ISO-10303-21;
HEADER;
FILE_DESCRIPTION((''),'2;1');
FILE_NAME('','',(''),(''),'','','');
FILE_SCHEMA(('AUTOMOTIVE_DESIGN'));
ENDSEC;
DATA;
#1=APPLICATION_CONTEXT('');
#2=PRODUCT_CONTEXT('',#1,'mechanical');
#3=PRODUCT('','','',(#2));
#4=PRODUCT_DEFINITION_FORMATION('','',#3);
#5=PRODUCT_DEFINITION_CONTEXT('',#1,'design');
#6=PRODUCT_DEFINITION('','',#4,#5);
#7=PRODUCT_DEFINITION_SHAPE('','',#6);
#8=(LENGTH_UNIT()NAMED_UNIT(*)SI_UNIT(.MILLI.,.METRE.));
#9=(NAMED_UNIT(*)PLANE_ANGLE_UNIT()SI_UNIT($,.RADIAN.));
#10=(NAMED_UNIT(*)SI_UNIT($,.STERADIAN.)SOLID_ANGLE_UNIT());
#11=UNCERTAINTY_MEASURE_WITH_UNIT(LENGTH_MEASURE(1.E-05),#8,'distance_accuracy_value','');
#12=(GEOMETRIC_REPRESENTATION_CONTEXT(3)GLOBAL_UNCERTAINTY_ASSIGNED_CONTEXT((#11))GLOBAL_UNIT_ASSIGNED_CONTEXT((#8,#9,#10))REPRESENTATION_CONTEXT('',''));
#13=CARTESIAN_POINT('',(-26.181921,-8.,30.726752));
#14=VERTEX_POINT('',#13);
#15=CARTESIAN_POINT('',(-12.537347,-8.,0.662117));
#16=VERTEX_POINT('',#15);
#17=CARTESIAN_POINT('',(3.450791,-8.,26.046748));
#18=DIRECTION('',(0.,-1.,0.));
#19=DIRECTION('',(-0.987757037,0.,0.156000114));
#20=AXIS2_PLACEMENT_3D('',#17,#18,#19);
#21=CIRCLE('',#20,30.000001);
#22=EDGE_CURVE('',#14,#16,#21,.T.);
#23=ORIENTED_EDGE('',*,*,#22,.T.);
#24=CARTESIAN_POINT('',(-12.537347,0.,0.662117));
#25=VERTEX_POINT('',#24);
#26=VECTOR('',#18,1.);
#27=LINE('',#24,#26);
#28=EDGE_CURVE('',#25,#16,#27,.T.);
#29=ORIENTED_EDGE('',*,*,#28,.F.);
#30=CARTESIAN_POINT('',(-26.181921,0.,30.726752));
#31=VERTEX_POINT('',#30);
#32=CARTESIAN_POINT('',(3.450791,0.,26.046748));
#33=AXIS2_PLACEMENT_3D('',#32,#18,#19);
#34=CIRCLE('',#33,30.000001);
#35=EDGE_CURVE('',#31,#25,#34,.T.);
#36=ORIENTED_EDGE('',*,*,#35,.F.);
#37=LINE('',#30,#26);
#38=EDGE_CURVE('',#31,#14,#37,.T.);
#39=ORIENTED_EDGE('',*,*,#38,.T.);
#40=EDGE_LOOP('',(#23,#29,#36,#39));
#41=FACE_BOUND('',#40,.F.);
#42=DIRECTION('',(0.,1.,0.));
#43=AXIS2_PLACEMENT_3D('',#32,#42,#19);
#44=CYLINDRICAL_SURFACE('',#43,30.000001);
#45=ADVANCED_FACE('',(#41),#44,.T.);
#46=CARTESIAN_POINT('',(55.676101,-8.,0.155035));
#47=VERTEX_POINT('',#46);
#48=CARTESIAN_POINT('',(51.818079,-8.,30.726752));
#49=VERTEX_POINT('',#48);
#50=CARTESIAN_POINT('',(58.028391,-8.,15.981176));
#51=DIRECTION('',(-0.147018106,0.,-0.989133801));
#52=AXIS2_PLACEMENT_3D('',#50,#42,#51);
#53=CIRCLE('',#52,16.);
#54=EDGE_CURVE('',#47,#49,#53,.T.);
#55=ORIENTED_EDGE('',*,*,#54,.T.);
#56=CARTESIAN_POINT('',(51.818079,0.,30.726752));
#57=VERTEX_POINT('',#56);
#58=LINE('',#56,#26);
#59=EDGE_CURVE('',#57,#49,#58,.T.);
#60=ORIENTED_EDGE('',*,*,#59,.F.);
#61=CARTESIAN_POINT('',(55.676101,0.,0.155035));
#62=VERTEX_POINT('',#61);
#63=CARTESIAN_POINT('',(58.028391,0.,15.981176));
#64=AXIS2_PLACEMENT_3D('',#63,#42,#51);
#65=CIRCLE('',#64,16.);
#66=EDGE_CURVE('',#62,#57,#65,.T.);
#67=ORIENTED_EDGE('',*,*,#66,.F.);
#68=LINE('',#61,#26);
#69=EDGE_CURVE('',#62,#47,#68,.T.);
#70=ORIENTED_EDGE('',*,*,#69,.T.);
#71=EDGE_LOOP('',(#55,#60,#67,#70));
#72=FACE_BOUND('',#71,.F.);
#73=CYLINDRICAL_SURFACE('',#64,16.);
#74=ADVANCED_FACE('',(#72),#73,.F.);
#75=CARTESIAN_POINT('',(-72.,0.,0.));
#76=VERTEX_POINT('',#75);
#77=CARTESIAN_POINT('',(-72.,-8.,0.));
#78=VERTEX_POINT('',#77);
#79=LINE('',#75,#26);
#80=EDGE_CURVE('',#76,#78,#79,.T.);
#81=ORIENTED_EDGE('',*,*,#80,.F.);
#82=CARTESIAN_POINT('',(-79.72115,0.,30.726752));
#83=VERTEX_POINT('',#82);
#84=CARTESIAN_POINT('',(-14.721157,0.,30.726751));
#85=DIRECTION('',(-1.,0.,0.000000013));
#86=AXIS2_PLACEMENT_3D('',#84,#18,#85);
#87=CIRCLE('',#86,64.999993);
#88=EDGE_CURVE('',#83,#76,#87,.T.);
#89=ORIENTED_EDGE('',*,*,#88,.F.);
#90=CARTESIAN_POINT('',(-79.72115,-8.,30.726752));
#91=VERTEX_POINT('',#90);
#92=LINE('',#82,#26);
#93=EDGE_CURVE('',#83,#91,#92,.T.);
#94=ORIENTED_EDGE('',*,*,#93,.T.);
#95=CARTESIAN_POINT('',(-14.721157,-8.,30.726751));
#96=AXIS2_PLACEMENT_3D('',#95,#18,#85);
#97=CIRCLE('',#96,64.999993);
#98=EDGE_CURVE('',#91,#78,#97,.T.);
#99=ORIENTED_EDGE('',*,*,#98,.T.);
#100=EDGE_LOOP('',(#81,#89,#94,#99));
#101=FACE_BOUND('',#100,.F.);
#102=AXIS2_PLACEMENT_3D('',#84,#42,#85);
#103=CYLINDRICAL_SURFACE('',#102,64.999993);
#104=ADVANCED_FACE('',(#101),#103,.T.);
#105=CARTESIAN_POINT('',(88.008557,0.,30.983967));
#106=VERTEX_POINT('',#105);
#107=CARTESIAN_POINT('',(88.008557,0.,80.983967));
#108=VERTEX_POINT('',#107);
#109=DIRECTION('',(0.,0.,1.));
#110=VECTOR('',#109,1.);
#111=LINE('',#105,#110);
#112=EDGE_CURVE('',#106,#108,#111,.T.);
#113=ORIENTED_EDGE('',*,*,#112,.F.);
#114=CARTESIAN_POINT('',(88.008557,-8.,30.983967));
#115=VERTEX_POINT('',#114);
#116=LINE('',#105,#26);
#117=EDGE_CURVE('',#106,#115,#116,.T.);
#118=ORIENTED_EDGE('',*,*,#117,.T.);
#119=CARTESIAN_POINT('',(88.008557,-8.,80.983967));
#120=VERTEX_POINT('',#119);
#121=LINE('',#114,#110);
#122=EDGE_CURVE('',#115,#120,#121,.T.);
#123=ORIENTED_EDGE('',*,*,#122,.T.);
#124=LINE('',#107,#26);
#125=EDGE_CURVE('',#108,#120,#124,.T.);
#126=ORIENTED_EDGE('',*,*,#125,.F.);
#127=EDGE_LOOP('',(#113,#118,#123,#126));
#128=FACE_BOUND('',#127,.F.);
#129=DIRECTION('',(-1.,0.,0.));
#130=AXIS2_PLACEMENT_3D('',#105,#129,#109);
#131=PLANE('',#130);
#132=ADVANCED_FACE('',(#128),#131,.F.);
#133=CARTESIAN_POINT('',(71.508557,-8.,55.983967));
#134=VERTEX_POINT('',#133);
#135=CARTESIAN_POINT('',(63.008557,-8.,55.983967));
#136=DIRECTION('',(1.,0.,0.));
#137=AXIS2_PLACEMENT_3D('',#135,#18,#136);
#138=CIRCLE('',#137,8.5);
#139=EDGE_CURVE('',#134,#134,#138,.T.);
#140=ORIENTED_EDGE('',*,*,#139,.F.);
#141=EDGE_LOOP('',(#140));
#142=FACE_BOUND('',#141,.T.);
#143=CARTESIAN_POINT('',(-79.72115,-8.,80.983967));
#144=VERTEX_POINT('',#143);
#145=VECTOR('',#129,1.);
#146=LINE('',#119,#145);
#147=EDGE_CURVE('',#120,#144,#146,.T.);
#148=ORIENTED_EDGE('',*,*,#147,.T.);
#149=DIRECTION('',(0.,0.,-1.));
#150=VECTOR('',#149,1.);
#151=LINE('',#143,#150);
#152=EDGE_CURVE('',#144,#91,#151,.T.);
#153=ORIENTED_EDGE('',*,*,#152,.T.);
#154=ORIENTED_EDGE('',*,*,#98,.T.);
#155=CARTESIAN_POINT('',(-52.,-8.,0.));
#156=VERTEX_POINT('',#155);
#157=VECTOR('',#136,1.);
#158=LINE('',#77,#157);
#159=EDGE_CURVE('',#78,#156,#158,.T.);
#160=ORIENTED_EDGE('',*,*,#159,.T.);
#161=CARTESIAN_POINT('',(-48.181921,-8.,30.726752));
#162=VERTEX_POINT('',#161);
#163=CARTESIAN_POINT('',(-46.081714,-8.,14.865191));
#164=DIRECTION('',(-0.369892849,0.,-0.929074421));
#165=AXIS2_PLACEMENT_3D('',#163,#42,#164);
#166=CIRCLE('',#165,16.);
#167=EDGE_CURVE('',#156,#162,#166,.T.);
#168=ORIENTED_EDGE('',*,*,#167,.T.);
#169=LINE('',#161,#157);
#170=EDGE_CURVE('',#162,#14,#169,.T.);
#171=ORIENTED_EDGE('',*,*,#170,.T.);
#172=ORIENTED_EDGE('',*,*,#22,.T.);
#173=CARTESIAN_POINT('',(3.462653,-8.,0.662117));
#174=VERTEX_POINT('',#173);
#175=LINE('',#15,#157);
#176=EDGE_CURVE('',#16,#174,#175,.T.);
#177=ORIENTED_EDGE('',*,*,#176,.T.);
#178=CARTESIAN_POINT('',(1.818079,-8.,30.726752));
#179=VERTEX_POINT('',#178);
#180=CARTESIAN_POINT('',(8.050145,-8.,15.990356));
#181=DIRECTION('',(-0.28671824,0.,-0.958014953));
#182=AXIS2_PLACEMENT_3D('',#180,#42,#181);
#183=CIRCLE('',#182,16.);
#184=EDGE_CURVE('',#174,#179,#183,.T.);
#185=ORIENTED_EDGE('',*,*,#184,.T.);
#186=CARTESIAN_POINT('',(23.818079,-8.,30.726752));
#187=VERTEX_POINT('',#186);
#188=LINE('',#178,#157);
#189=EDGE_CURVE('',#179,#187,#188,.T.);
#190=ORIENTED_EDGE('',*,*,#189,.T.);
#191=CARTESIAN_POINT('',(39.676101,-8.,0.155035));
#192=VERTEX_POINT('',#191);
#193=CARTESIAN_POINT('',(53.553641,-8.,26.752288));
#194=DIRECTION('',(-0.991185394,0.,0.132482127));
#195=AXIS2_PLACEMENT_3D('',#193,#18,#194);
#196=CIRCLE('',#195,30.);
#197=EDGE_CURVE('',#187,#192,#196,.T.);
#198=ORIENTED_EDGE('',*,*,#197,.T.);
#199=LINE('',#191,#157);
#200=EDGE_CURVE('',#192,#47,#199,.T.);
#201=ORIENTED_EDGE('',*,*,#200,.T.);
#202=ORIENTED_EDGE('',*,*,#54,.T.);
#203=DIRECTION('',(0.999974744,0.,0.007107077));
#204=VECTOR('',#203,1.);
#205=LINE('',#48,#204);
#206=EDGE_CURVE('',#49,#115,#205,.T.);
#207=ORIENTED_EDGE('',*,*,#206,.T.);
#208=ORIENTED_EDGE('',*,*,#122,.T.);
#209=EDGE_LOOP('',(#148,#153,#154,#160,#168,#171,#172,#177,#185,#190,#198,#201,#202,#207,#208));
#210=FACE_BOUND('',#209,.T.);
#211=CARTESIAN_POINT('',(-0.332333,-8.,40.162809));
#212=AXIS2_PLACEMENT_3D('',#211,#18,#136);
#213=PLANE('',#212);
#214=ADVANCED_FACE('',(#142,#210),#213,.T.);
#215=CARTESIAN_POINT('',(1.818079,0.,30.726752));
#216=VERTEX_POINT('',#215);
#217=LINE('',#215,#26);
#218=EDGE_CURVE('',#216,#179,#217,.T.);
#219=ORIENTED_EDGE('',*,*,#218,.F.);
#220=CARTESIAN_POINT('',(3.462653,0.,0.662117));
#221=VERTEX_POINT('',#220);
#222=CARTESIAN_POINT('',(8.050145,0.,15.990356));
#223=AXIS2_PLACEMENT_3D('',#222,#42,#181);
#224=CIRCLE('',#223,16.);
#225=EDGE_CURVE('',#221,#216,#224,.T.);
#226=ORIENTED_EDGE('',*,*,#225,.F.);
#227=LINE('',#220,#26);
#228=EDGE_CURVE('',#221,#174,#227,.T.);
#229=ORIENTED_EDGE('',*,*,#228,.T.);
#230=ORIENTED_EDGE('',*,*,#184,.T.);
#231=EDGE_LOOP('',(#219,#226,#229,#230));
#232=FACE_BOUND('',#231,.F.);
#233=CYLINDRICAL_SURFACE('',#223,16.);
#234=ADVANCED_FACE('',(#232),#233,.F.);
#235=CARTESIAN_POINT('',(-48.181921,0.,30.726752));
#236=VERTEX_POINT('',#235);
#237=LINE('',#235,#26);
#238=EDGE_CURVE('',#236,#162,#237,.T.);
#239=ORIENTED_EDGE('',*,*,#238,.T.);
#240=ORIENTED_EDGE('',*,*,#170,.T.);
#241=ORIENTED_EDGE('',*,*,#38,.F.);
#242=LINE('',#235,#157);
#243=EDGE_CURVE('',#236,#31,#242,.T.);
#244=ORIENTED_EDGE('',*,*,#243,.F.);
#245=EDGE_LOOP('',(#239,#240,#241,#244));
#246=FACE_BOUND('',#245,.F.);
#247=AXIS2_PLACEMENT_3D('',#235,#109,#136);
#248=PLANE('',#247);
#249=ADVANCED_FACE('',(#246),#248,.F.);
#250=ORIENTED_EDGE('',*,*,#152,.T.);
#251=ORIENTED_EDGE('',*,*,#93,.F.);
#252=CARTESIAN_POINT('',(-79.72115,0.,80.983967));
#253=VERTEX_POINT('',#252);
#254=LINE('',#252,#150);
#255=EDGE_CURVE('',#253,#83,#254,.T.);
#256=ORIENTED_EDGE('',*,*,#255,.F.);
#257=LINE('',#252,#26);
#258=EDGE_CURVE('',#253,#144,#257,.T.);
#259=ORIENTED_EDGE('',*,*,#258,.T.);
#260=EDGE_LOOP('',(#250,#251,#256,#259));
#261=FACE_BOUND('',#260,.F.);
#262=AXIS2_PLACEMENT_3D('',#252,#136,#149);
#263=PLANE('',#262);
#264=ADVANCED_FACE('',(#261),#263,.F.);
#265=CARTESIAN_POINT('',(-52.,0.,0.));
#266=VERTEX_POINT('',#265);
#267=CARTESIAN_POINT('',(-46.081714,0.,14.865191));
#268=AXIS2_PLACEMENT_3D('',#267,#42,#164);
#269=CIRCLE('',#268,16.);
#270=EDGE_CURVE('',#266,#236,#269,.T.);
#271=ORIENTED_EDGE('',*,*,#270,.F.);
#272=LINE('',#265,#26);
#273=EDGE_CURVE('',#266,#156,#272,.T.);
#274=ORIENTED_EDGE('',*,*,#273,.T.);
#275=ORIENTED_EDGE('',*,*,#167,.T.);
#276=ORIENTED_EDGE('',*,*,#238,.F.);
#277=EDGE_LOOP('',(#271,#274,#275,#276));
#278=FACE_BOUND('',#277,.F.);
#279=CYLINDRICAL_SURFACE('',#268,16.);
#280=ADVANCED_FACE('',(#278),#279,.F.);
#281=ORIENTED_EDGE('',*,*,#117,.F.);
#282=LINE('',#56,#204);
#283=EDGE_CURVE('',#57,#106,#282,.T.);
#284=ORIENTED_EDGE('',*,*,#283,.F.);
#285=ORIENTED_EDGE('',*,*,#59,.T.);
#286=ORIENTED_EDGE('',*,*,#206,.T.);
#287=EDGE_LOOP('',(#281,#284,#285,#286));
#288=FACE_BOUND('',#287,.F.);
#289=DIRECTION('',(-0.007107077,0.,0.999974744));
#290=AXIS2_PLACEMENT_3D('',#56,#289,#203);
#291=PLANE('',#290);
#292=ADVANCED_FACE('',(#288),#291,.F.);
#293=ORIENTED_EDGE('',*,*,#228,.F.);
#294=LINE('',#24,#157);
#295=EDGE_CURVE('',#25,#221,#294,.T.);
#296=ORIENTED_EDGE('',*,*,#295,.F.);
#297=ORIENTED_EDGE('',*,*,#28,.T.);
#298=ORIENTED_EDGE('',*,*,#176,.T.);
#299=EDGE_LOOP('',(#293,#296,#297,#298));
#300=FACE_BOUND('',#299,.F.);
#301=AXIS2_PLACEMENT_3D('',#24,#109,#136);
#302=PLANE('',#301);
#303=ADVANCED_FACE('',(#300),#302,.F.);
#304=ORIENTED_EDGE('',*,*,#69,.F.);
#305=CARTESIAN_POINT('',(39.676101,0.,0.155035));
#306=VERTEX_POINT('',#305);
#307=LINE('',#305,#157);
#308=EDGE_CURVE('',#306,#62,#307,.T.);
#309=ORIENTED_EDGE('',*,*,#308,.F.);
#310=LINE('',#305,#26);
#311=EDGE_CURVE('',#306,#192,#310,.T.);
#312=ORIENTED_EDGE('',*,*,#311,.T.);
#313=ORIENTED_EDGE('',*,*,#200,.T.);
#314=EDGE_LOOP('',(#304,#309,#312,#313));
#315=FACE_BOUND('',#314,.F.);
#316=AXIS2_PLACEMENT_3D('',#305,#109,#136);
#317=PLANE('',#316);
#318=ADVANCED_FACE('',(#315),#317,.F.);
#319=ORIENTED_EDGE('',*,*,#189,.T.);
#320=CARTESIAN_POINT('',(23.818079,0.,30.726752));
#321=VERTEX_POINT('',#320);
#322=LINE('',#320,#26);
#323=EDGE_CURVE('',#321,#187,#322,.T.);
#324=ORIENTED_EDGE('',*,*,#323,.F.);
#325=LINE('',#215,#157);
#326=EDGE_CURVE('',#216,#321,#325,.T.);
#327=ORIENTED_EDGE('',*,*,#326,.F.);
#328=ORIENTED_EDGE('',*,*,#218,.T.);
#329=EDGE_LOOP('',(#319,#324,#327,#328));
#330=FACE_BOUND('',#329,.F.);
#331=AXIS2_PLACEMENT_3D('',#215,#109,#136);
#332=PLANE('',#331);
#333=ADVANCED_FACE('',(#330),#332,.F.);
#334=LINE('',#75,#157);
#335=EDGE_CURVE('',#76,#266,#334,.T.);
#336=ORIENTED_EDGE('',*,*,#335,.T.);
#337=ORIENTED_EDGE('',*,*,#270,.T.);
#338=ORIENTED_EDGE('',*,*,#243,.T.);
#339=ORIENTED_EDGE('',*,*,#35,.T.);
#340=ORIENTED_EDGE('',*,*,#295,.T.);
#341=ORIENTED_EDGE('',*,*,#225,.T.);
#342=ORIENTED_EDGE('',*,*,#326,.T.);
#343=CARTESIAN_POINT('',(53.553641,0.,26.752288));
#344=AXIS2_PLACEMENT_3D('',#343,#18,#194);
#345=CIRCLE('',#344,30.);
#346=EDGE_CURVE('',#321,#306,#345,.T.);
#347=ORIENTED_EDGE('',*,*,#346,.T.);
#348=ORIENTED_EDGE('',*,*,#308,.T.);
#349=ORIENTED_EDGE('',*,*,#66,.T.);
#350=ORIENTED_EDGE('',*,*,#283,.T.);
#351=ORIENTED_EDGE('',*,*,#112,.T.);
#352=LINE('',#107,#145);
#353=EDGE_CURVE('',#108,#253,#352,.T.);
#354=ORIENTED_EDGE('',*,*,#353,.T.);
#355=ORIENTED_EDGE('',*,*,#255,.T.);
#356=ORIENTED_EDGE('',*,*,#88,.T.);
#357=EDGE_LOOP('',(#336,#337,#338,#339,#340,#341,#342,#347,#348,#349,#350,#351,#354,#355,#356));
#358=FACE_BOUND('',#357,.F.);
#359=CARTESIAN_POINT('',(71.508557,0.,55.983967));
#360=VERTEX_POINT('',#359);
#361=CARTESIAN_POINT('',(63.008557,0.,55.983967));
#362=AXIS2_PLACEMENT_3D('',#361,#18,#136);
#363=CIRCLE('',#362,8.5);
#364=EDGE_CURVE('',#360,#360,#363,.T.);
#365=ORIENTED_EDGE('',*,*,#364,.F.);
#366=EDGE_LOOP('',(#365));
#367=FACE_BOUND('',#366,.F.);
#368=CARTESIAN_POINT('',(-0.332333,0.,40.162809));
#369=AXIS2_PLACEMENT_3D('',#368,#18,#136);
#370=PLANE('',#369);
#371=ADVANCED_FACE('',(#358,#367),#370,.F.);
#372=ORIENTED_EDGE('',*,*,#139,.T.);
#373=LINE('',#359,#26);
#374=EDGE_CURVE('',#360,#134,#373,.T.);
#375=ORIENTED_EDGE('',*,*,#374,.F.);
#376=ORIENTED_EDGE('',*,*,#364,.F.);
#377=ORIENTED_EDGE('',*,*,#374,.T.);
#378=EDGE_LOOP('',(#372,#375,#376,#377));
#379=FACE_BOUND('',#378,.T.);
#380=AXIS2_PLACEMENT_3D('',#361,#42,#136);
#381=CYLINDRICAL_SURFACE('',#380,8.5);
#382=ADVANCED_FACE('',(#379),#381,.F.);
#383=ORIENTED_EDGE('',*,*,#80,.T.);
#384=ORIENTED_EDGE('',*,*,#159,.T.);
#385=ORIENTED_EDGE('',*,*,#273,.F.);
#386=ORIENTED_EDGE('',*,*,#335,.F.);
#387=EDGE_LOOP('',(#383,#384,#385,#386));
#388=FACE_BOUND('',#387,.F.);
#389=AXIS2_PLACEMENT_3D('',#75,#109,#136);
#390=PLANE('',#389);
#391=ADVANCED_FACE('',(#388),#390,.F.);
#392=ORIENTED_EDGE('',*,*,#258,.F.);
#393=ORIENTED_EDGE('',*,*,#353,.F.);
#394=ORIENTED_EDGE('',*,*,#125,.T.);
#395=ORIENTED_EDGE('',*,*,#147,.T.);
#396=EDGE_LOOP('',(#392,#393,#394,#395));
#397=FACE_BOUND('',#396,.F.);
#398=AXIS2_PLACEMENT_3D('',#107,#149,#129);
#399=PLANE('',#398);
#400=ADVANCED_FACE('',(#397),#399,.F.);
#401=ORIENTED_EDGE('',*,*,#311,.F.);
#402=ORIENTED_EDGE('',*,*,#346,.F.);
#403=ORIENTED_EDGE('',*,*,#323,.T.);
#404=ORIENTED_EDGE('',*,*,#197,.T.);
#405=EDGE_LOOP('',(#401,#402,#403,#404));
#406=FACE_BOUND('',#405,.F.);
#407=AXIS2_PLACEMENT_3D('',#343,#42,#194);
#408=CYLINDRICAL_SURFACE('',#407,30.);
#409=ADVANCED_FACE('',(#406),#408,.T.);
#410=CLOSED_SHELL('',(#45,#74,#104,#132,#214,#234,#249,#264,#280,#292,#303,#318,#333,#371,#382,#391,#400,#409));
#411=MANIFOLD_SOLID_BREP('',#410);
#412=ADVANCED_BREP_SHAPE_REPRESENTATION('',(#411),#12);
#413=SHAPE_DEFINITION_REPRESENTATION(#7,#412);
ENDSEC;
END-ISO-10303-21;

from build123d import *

# Parameters (mm, degrees)
F0_R     = 8.5
F1_DEPTH = 8


with BuildPart() as f1:
    # F0 (on Front) → F1 (new body)
    with BuildSketch(Plane.XZ):
        with BuildLine():
            Line((88.008557, 80.983967), (-79.72115, 80.983967))
            Line((-79.72115, 80.983967), (-79.72115, 30.726752))
            ThreePointArc((-79.72115, 30.726752), (-77.761317, 14.88575), (-72, 0))
            Line((-72, 0), (-52, 0))
            ThreePointArc((-52, 0), (-61.959604, 16.838163), (-48.181921, 30.726752))
            Line((-48.181921, 30.726752), (-26.181921, 30.726752))
            ThreePointArc((-26.181921, 30.726752), (-23.867446, 13.648604), (-12.537347, 0.662117))
            Line((-12.537347, 0.662117), (3.462653, 0.662117))
            ThreePointArc((3.462653, 0.662117), (-7.925971, 15.116443), (1.818079, 30.726752))
            Line((1.818079, 30.726752), (23.818079, 30.726752))
            ThreePointArc((23.818079, 30.726752), (26.923148, 12.938641), (39.676101, 0.155035))
            Line((39.676101, 0.155035), (55.676101, 0.155035))
            ThreePointArc((55.676101, 0.155035), (42.154292, 13.977932), (51.818079, 30.726752))
            Line((51.818079, 30.726752), (88.008557, 30.983967))
            Line((88.008557, 30.983967), (88.008557, 80.983967))
        make_face()
        with Locations((63.008557, 55.983967)):
            Circle(F0_R, mode=Mode.SUBTRACT)
    extrude(amount=F1_DEPTH)


solid = f1.part
